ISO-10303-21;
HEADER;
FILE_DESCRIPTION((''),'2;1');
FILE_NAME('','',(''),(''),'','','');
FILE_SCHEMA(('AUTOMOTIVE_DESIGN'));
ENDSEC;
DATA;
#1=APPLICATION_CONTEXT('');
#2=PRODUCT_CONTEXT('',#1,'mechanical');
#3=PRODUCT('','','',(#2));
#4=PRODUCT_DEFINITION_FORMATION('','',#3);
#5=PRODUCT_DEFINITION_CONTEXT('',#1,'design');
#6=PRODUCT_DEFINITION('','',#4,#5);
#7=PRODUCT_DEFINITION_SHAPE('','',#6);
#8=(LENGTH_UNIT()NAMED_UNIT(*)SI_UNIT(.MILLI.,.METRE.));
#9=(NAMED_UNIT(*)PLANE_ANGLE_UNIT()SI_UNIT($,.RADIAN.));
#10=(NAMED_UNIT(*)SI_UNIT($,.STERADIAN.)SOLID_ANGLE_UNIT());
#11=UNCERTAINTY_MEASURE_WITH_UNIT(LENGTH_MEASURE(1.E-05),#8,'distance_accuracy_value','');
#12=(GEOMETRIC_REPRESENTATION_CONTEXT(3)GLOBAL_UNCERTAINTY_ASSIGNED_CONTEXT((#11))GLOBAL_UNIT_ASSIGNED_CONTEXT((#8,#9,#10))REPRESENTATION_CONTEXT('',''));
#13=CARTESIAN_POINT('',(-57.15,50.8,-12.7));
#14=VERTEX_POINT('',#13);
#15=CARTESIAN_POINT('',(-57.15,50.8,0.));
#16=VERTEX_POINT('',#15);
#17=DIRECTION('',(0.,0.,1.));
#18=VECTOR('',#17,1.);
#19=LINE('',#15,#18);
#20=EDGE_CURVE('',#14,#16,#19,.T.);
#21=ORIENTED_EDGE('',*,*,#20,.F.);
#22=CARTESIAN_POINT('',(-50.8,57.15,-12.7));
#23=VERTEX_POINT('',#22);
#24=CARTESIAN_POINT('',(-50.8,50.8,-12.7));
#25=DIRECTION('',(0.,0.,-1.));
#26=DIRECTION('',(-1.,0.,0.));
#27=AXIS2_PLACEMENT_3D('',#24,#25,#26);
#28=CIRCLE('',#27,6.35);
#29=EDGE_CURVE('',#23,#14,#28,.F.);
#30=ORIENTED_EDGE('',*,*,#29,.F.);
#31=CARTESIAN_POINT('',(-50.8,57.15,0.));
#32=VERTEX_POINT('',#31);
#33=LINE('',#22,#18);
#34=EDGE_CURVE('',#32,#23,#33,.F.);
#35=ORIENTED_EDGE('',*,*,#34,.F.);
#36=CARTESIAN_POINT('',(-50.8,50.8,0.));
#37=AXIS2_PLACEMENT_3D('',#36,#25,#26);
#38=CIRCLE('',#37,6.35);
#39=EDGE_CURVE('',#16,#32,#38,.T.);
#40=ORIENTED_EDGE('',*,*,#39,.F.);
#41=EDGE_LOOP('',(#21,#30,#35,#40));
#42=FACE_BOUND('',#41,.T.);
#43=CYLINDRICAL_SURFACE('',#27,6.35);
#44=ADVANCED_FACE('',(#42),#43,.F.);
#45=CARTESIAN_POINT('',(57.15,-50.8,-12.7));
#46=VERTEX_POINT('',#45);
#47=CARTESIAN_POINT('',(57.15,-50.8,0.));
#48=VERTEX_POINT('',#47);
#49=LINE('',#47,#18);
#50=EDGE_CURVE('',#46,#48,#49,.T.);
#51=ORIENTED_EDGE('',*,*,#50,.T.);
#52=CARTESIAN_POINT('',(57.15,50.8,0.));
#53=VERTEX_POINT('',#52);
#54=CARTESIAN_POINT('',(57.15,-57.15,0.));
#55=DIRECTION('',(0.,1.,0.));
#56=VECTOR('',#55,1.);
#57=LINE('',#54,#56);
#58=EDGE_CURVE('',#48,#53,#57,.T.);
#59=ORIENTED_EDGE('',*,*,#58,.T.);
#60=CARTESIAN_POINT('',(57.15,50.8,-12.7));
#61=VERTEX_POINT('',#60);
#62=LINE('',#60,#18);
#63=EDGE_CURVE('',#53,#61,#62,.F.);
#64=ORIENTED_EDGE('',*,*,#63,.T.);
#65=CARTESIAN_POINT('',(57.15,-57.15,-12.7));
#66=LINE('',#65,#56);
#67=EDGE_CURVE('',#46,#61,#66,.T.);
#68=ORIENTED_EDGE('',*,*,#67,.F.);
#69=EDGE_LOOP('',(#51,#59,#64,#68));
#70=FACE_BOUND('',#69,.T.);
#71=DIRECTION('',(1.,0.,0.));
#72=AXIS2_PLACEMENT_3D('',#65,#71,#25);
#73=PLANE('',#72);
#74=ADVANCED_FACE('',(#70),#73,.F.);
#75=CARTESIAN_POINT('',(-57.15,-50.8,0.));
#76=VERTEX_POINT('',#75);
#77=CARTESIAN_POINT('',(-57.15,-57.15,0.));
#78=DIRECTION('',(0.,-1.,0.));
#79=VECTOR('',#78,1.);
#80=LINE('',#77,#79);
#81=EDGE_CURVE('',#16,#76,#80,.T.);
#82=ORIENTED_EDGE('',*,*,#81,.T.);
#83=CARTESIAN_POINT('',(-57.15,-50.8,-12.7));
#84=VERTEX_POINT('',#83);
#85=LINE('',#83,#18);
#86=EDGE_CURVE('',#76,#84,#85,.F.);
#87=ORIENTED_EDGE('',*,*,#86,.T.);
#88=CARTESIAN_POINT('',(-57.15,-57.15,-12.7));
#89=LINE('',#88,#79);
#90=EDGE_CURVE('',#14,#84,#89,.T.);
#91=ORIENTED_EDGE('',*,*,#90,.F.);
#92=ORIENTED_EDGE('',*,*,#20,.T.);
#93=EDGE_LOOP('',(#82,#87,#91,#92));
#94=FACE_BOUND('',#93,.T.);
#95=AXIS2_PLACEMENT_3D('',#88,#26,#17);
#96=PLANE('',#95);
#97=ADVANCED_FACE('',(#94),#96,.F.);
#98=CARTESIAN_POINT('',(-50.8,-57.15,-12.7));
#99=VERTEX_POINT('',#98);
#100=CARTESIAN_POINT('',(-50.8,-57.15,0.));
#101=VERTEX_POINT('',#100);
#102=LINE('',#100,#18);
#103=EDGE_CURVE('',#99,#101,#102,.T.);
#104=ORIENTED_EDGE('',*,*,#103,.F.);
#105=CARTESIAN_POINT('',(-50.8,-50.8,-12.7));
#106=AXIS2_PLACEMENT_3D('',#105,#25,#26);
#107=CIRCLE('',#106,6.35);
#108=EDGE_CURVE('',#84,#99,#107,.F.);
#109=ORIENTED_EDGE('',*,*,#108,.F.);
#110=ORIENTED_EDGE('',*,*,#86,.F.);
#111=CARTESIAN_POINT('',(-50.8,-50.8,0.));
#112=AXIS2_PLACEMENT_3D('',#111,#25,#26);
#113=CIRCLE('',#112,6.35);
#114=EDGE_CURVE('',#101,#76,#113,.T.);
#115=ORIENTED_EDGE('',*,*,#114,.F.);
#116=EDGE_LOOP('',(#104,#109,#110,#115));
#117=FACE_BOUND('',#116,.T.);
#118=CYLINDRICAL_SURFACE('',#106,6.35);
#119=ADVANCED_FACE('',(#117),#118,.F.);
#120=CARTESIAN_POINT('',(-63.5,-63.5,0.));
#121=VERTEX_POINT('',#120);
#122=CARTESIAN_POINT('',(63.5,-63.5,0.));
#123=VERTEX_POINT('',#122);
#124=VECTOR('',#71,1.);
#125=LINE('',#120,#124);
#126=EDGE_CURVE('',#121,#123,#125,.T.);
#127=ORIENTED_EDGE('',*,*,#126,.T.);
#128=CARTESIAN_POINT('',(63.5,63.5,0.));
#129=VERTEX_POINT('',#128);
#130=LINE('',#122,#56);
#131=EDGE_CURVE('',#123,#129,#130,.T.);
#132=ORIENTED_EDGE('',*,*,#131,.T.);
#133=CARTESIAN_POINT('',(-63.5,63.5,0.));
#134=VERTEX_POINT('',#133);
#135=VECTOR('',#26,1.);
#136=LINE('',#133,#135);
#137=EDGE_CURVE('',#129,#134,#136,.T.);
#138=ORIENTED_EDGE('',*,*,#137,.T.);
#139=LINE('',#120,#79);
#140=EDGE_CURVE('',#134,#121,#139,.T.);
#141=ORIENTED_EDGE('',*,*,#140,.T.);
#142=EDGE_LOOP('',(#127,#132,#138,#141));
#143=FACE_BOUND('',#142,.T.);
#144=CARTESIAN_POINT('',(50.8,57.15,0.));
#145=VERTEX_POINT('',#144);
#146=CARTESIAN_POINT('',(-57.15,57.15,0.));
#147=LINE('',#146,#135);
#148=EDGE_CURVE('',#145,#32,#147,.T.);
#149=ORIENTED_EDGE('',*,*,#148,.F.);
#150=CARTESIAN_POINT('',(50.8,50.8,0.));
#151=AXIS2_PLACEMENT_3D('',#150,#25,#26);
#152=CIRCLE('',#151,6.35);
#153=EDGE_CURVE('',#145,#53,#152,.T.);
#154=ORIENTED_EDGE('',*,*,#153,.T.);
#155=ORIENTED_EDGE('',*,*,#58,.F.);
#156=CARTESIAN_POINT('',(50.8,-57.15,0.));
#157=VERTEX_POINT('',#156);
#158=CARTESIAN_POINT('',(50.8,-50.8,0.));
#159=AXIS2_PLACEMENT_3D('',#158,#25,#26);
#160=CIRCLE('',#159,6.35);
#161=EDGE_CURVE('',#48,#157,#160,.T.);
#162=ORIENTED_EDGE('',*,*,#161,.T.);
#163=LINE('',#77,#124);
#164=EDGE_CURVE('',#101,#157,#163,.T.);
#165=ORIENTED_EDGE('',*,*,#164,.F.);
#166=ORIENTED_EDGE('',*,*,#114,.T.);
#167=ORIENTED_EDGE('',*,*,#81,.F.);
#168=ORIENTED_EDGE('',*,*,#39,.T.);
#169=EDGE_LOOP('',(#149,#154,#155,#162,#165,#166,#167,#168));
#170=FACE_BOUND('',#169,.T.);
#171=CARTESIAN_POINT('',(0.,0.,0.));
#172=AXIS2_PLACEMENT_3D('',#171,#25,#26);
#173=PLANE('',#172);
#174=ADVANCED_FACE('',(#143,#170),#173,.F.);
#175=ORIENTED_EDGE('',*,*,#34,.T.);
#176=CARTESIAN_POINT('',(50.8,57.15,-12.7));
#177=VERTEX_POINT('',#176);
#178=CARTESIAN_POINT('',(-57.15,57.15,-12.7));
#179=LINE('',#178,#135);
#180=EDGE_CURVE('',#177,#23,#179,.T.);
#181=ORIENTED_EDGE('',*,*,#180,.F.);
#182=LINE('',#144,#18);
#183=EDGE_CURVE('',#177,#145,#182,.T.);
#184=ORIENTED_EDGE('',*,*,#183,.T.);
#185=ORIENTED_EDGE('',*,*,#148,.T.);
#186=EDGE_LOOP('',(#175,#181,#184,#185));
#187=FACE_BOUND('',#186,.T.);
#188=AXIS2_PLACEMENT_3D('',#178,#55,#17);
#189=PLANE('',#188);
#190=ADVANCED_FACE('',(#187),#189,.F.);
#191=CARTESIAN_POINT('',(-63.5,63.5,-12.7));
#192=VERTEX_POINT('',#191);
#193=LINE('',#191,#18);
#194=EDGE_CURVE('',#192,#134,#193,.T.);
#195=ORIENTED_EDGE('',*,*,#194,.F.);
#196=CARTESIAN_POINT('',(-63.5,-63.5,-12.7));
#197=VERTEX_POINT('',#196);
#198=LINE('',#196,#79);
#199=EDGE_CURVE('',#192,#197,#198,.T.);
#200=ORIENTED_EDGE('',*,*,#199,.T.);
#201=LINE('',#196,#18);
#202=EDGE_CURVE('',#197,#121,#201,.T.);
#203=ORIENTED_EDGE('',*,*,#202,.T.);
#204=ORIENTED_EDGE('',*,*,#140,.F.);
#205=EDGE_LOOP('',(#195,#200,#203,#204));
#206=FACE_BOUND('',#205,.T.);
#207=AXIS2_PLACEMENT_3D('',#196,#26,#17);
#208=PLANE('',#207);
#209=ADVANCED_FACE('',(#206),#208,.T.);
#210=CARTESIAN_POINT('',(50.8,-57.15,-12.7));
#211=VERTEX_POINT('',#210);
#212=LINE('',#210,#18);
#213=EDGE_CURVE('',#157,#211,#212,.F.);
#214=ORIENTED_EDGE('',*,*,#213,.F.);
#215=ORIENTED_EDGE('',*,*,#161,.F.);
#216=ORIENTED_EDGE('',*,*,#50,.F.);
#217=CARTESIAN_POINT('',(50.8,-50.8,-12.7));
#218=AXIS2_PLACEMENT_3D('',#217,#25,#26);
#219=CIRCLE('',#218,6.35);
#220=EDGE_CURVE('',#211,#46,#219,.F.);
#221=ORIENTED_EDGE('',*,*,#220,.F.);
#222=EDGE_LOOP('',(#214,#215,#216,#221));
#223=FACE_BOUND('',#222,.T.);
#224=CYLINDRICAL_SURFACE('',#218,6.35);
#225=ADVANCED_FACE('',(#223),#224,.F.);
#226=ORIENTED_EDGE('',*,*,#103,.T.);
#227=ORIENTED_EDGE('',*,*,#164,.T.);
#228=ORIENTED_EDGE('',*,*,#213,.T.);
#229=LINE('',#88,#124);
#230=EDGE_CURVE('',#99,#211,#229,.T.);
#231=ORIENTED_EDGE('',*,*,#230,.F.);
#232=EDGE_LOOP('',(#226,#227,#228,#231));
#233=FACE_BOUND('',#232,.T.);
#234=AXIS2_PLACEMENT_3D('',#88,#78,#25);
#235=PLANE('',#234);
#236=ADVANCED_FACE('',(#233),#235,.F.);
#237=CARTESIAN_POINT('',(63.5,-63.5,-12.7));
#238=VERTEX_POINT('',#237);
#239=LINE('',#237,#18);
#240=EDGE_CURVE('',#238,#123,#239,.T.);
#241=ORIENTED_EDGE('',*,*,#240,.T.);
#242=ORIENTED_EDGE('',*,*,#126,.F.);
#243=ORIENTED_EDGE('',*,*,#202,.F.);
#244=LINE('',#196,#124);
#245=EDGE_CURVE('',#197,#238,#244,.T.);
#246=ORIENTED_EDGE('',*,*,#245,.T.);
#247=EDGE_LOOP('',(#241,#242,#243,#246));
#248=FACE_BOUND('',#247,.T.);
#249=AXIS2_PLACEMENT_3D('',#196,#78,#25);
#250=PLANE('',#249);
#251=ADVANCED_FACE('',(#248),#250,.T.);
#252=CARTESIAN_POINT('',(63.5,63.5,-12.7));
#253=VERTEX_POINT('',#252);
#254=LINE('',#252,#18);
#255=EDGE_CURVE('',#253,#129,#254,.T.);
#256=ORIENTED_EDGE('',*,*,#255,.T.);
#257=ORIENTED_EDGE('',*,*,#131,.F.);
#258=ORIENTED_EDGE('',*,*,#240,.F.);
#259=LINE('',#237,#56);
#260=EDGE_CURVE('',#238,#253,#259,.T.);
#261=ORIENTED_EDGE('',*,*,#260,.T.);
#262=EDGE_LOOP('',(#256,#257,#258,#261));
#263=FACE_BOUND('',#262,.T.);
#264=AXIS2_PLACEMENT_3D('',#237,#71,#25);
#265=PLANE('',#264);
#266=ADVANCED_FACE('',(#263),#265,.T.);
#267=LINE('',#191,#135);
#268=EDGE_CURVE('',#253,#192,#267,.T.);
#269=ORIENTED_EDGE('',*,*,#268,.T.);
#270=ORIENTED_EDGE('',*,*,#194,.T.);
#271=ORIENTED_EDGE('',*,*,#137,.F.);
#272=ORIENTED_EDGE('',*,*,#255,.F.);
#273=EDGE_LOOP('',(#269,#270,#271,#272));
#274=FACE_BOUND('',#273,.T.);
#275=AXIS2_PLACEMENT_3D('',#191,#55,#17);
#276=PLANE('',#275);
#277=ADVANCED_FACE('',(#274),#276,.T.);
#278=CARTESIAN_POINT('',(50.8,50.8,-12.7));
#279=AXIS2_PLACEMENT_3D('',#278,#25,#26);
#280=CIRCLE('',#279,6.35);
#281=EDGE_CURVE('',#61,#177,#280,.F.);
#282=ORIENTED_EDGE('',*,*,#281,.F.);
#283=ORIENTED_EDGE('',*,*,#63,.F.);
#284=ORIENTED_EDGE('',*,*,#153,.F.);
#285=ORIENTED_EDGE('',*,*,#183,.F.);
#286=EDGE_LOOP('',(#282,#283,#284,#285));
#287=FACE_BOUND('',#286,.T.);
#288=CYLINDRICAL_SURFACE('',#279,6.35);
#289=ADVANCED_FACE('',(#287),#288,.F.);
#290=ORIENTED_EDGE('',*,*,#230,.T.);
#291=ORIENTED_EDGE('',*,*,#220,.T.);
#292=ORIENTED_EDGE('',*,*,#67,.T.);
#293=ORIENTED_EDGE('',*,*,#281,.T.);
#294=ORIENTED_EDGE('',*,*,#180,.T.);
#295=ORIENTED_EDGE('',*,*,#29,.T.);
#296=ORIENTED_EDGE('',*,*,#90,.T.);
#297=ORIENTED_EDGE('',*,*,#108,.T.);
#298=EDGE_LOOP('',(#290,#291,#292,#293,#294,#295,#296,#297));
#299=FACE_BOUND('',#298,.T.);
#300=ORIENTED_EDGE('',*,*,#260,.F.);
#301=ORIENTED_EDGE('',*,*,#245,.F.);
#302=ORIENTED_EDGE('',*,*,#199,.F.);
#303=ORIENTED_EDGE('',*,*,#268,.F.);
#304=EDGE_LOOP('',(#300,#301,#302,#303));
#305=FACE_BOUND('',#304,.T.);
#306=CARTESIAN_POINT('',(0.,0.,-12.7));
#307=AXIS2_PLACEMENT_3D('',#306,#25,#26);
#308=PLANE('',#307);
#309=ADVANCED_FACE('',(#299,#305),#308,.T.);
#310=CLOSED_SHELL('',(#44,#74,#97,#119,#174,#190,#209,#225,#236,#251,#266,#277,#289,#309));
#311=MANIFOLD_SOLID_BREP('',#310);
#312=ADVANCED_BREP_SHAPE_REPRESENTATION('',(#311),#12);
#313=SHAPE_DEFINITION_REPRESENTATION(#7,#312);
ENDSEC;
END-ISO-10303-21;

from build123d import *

# Parameters (mm, degrees)
SKETCH1_W           = 127
SKETCH1_H           = 127
SKETCH1_W_2         = 114.3
SKETCH1_H_2         = 114.3
BOSS_EXTRUDE1_DEPTH = 12.7
FILLET1_R           = 6.35


with BuildPart() as part:
    # Sketch1 → Boss-Extrude1 (new body)
    with BuildSketch(Plane.XY):
        Rectangle(SKETCH1_W, SKETCH1_H)
        Rectangle(SKETCH1_W_2, SKETCH1_H_2, mode=Mode.SUBTRACT)
    extrude(amount=-BOSS_EXTRUDE1_DEPTH)

    # Fillet1
    fillet1_edges = [part.edges().sort_by_distance(p)[0] for p in [
        (57.15, 57.15, -6.35),
        (57.15, -57.15, -6.35),
        (-57.15, -57.15, -6.35),
        (-57.15, 57.15, -6.35),
    ]]
    fillet(fillet1_edges, radius=FILLET1_R)


solid = part.part
